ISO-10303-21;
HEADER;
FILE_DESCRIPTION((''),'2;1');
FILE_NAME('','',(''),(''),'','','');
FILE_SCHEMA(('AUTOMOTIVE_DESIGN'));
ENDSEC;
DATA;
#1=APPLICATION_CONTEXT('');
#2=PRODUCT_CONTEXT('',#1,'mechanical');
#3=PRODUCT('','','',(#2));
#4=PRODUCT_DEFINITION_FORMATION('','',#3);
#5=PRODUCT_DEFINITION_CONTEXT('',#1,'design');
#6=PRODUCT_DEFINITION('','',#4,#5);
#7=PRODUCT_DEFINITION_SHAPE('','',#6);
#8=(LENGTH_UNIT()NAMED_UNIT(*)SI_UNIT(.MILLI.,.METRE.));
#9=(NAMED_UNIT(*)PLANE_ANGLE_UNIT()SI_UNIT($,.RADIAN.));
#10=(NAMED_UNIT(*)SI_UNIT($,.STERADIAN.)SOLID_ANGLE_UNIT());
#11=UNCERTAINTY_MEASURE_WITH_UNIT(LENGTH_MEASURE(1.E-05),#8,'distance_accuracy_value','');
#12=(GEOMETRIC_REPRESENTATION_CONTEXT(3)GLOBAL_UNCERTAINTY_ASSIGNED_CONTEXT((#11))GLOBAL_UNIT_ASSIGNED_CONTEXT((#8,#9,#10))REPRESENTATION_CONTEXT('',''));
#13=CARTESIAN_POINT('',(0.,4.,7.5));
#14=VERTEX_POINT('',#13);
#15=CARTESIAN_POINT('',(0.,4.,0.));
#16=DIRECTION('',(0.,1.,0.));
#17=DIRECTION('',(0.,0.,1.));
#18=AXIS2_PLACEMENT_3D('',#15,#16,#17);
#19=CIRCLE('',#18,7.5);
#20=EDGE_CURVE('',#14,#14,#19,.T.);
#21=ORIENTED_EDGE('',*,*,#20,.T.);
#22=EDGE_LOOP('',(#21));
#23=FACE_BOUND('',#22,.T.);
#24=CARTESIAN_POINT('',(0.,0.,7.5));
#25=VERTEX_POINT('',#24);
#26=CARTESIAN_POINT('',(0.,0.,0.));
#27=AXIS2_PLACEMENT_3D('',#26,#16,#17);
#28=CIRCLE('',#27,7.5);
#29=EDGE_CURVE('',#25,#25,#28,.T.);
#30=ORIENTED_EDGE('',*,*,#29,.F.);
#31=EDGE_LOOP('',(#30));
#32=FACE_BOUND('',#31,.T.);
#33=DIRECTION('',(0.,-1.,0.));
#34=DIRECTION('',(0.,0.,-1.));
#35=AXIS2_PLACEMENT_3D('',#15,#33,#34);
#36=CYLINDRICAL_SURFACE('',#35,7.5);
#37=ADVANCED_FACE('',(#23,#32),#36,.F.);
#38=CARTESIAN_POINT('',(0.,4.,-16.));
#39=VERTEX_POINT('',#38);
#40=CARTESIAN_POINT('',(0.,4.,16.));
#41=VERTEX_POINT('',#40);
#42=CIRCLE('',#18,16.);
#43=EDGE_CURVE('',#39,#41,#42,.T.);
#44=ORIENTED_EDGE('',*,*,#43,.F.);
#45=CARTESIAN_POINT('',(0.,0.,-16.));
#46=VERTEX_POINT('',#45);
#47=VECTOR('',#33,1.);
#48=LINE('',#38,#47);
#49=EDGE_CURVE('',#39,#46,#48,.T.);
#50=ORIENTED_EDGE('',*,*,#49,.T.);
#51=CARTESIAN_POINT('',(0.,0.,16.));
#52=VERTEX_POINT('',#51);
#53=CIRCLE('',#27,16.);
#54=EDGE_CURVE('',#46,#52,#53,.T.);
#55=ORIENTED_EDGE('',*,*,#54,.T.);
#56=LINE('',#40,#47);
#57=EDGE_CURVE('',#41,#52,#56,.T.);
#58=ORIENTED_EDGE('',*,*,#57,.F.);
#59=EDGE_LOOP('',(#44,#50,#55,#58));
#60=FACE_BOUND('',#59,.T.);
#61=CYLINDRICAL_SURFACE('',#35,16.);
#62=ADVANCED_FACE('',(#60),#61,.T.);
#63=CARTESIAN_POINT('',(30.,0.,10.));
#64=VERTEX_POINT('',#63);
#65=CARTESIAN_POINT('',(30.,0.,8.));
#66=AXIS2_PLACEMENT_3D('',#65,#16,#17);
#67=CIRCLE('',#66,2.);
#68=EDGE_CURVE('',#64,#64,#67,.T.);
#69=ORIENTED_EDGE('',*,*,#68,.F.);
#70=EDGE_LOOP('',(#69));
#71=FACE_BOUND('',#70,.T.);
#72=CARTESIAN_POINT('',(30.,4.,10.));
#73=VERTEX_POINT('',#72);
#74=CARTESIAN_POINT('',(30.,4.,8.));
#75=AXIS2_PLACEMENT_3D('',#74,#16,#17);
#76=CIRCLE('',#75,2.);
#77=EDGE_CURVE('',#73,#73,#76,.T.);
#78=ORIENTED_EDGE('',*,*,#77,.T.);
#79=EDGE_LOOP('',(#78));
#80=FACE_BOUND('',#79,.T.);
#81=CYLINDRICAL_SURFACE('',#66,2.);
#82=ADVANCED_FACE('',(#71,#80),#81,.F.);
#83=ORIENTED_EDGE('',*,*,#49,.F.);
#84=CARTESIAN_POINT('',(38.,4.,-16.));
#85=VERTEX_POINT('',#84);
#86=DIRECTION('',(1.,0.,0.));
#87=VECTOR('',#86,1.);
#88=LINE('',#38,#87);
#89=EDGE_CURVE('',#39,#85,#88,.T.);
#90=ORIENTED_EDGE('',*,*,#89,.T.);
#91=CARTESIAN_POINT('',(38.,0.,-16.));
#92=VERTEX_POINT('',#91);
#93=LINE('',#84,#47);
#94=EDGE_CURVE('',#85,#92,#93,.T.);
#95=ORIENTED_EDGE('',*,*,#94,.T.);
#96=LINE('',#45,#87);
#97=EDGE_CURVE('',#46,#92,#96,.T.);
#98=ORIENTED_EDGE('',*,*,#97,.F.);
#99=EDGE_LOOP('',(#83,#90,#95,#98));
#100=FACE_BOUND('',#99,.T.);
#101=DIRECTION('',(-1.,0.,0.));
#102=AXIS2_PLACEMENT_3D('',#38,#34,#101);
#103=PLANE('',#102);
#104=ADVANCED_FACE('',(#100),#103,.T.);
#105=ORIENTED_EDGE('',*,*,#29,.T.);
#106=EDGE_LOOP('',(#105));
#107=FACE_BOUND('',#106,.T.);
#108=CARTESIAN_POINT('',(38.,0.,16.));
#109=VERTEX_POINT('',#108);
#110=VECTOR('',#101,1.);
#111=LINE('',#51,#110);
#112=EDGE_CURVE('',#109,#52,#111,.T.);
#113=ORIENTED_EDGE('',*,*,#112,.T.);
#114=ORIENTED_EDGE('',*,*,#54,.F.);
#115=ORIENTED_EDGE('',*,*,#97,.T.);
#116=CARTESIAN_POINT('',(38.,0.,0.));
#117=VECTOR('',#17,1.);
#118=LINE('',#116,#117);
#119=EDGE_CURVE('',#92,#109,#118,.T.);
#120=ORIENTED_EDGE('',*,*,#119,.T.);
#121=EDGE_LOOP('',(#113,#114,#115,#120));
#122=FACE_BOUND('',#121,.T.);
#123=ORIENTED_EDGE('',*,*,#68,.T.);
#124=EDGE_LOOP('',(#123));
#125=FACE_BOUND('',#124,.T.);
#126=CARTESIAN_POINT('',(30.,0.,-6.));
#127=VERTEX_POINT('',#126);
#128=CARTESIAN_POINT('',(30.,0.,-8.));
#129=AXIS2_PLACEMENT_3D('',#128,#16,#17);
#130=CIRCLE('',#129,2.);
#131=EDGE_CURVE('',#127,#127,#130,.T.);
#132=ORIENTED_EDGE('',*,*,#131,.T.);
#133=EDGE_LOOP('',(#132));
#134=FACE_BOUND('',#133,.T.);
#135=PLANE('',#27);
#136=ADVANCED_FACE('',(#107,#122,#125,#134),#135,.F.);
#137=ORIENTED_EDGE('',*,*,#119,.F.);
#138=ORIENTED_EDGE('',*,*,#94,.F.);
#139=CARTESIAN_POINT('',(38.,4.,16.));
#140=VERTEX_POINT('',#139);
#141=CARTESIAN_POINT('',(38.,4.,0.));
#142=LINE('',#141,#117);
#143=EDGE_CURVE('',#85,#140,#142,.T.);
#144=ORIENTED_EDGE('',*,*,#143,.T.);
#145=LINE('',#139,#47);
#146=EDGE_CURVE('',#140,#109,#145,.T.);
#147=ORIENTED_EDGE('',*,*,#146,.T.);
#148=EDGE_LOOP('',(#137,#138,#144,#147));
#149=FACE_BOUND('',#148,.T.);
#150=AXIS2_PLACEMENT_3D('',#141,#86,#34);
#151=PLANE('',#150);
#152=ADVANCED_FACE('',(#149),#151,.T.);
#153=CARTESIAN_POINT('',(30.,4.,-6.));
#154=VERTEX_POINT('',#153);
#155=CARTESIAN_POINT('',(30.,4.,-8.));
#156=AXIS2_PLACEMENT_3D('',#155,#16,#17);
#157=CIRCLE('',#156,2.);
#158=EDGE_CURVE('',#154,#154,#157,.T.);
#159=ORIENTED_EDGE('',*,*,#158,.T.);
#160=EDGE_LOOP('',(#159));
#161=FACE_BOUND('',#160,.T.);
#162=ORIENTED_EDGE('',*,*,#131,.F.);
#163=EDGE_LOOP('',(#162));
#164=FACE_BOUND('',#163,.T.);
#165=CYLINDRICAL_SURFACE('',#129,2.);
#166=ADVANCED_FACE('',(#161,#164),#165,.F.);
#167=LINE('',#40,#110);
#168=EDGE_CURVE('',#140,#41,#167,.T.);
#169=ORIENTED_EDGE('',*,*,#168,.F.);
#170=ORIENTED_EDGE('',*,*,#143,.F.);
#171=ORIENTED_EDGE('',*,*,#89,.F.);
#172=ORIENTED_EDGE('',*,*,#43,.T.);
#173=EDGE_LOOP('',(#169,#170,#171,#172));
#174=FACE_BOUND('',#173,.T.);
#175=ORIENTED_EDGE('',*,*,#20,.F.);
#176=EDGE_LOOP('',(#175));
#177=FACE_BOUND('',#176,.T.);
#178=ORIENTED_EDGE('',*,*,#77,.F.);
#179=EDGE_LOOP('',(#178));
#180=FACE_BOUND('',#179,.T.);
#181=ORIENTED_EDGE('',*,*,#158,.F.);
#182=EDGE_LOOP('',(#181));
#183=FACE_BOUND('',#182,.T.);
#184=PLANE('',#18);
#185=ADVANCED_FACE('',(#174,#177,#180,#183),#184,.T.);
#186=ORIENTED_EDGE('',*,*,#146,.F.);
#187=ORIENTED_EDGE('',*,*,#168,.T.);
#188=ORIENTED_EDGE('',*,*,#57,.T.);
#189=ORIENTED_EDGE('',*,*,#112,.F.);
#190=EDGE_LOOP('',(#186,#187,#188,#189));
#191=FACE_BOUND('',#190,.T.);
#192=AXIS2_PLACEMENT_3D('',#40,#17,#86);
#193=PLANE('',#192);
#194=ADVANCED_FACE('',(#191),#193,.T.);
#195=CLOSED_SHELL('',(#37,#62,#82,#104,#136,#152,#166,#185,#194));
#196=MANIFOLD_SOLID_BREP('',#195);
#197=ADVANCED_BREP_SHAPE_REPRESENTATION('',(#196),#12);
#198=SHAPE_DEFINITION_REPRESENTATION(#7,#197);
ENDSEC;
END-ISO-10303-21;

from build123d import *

# Parameters (mm, degrees)
SKETCH1_R           = 16
SKETCH1_R_2         = 7.5
BOSS_EXTRUDE1_DEPTH = 4
SKETCH2_R           = 2
CUT_EXTRUDE1_DEPTH  = 42.424630354


with BuildPart() as part:
    # Sketch1 → Boss-Extrude1 (new body)
    # profile 1 of 2: a face of its own
    with BuildSketch(Plane(origin=(0, 0, 0), x_dir=(1, 0, 0), z_dir=(0, 1, 0))):
        Circle(SKETCH1_R)
        with Locations(Location((0, 0, 0), (0, 0, 270))):
            Circle(SKETCH1_R_2, mode=Mode.SUBTRACT)
    # profile 2 of 2: a face of its own
    with BuildSketch(Plane(origin=(0, 0, 0), x_dir=(1, 0, 0), z_dir=(0, 1, 0))):
        with BuildLine():
            Line((38, 16), (0, 16))
            ThreePointArc((0, 16), (11.313708499, 11.313708499), (16, 0))
            ThreePointArc((16, 0), (11.313708499, -11.313708499), (0, -16))
            Line((0, -16), (38, -16))
            Line((38, -16), (38, 16))
        make_face()
    extrude(amount=BOSS_EXTRUDE1_DEPTH)

    # Sketch2 → Cut-Extrude1 (cut, through all)
    with BuildSketch(Plane(origin=(0, 4, 0), x_dir=(1, 0, 0), z_dir=(0, 1, 0))):
        with Locations(Location((30, -8, 0), (0, 0, 270))):
            Circle(SKETCH2_R)
        with Locations(Location((30, 8, 0), (0, 0, 270))):
            Circle(SKETCH2_R)
    extrude(amount=-CUT_EXTRUDE1_DEPTH, mode=Mode.SUBTRACT)


solid = part.part
